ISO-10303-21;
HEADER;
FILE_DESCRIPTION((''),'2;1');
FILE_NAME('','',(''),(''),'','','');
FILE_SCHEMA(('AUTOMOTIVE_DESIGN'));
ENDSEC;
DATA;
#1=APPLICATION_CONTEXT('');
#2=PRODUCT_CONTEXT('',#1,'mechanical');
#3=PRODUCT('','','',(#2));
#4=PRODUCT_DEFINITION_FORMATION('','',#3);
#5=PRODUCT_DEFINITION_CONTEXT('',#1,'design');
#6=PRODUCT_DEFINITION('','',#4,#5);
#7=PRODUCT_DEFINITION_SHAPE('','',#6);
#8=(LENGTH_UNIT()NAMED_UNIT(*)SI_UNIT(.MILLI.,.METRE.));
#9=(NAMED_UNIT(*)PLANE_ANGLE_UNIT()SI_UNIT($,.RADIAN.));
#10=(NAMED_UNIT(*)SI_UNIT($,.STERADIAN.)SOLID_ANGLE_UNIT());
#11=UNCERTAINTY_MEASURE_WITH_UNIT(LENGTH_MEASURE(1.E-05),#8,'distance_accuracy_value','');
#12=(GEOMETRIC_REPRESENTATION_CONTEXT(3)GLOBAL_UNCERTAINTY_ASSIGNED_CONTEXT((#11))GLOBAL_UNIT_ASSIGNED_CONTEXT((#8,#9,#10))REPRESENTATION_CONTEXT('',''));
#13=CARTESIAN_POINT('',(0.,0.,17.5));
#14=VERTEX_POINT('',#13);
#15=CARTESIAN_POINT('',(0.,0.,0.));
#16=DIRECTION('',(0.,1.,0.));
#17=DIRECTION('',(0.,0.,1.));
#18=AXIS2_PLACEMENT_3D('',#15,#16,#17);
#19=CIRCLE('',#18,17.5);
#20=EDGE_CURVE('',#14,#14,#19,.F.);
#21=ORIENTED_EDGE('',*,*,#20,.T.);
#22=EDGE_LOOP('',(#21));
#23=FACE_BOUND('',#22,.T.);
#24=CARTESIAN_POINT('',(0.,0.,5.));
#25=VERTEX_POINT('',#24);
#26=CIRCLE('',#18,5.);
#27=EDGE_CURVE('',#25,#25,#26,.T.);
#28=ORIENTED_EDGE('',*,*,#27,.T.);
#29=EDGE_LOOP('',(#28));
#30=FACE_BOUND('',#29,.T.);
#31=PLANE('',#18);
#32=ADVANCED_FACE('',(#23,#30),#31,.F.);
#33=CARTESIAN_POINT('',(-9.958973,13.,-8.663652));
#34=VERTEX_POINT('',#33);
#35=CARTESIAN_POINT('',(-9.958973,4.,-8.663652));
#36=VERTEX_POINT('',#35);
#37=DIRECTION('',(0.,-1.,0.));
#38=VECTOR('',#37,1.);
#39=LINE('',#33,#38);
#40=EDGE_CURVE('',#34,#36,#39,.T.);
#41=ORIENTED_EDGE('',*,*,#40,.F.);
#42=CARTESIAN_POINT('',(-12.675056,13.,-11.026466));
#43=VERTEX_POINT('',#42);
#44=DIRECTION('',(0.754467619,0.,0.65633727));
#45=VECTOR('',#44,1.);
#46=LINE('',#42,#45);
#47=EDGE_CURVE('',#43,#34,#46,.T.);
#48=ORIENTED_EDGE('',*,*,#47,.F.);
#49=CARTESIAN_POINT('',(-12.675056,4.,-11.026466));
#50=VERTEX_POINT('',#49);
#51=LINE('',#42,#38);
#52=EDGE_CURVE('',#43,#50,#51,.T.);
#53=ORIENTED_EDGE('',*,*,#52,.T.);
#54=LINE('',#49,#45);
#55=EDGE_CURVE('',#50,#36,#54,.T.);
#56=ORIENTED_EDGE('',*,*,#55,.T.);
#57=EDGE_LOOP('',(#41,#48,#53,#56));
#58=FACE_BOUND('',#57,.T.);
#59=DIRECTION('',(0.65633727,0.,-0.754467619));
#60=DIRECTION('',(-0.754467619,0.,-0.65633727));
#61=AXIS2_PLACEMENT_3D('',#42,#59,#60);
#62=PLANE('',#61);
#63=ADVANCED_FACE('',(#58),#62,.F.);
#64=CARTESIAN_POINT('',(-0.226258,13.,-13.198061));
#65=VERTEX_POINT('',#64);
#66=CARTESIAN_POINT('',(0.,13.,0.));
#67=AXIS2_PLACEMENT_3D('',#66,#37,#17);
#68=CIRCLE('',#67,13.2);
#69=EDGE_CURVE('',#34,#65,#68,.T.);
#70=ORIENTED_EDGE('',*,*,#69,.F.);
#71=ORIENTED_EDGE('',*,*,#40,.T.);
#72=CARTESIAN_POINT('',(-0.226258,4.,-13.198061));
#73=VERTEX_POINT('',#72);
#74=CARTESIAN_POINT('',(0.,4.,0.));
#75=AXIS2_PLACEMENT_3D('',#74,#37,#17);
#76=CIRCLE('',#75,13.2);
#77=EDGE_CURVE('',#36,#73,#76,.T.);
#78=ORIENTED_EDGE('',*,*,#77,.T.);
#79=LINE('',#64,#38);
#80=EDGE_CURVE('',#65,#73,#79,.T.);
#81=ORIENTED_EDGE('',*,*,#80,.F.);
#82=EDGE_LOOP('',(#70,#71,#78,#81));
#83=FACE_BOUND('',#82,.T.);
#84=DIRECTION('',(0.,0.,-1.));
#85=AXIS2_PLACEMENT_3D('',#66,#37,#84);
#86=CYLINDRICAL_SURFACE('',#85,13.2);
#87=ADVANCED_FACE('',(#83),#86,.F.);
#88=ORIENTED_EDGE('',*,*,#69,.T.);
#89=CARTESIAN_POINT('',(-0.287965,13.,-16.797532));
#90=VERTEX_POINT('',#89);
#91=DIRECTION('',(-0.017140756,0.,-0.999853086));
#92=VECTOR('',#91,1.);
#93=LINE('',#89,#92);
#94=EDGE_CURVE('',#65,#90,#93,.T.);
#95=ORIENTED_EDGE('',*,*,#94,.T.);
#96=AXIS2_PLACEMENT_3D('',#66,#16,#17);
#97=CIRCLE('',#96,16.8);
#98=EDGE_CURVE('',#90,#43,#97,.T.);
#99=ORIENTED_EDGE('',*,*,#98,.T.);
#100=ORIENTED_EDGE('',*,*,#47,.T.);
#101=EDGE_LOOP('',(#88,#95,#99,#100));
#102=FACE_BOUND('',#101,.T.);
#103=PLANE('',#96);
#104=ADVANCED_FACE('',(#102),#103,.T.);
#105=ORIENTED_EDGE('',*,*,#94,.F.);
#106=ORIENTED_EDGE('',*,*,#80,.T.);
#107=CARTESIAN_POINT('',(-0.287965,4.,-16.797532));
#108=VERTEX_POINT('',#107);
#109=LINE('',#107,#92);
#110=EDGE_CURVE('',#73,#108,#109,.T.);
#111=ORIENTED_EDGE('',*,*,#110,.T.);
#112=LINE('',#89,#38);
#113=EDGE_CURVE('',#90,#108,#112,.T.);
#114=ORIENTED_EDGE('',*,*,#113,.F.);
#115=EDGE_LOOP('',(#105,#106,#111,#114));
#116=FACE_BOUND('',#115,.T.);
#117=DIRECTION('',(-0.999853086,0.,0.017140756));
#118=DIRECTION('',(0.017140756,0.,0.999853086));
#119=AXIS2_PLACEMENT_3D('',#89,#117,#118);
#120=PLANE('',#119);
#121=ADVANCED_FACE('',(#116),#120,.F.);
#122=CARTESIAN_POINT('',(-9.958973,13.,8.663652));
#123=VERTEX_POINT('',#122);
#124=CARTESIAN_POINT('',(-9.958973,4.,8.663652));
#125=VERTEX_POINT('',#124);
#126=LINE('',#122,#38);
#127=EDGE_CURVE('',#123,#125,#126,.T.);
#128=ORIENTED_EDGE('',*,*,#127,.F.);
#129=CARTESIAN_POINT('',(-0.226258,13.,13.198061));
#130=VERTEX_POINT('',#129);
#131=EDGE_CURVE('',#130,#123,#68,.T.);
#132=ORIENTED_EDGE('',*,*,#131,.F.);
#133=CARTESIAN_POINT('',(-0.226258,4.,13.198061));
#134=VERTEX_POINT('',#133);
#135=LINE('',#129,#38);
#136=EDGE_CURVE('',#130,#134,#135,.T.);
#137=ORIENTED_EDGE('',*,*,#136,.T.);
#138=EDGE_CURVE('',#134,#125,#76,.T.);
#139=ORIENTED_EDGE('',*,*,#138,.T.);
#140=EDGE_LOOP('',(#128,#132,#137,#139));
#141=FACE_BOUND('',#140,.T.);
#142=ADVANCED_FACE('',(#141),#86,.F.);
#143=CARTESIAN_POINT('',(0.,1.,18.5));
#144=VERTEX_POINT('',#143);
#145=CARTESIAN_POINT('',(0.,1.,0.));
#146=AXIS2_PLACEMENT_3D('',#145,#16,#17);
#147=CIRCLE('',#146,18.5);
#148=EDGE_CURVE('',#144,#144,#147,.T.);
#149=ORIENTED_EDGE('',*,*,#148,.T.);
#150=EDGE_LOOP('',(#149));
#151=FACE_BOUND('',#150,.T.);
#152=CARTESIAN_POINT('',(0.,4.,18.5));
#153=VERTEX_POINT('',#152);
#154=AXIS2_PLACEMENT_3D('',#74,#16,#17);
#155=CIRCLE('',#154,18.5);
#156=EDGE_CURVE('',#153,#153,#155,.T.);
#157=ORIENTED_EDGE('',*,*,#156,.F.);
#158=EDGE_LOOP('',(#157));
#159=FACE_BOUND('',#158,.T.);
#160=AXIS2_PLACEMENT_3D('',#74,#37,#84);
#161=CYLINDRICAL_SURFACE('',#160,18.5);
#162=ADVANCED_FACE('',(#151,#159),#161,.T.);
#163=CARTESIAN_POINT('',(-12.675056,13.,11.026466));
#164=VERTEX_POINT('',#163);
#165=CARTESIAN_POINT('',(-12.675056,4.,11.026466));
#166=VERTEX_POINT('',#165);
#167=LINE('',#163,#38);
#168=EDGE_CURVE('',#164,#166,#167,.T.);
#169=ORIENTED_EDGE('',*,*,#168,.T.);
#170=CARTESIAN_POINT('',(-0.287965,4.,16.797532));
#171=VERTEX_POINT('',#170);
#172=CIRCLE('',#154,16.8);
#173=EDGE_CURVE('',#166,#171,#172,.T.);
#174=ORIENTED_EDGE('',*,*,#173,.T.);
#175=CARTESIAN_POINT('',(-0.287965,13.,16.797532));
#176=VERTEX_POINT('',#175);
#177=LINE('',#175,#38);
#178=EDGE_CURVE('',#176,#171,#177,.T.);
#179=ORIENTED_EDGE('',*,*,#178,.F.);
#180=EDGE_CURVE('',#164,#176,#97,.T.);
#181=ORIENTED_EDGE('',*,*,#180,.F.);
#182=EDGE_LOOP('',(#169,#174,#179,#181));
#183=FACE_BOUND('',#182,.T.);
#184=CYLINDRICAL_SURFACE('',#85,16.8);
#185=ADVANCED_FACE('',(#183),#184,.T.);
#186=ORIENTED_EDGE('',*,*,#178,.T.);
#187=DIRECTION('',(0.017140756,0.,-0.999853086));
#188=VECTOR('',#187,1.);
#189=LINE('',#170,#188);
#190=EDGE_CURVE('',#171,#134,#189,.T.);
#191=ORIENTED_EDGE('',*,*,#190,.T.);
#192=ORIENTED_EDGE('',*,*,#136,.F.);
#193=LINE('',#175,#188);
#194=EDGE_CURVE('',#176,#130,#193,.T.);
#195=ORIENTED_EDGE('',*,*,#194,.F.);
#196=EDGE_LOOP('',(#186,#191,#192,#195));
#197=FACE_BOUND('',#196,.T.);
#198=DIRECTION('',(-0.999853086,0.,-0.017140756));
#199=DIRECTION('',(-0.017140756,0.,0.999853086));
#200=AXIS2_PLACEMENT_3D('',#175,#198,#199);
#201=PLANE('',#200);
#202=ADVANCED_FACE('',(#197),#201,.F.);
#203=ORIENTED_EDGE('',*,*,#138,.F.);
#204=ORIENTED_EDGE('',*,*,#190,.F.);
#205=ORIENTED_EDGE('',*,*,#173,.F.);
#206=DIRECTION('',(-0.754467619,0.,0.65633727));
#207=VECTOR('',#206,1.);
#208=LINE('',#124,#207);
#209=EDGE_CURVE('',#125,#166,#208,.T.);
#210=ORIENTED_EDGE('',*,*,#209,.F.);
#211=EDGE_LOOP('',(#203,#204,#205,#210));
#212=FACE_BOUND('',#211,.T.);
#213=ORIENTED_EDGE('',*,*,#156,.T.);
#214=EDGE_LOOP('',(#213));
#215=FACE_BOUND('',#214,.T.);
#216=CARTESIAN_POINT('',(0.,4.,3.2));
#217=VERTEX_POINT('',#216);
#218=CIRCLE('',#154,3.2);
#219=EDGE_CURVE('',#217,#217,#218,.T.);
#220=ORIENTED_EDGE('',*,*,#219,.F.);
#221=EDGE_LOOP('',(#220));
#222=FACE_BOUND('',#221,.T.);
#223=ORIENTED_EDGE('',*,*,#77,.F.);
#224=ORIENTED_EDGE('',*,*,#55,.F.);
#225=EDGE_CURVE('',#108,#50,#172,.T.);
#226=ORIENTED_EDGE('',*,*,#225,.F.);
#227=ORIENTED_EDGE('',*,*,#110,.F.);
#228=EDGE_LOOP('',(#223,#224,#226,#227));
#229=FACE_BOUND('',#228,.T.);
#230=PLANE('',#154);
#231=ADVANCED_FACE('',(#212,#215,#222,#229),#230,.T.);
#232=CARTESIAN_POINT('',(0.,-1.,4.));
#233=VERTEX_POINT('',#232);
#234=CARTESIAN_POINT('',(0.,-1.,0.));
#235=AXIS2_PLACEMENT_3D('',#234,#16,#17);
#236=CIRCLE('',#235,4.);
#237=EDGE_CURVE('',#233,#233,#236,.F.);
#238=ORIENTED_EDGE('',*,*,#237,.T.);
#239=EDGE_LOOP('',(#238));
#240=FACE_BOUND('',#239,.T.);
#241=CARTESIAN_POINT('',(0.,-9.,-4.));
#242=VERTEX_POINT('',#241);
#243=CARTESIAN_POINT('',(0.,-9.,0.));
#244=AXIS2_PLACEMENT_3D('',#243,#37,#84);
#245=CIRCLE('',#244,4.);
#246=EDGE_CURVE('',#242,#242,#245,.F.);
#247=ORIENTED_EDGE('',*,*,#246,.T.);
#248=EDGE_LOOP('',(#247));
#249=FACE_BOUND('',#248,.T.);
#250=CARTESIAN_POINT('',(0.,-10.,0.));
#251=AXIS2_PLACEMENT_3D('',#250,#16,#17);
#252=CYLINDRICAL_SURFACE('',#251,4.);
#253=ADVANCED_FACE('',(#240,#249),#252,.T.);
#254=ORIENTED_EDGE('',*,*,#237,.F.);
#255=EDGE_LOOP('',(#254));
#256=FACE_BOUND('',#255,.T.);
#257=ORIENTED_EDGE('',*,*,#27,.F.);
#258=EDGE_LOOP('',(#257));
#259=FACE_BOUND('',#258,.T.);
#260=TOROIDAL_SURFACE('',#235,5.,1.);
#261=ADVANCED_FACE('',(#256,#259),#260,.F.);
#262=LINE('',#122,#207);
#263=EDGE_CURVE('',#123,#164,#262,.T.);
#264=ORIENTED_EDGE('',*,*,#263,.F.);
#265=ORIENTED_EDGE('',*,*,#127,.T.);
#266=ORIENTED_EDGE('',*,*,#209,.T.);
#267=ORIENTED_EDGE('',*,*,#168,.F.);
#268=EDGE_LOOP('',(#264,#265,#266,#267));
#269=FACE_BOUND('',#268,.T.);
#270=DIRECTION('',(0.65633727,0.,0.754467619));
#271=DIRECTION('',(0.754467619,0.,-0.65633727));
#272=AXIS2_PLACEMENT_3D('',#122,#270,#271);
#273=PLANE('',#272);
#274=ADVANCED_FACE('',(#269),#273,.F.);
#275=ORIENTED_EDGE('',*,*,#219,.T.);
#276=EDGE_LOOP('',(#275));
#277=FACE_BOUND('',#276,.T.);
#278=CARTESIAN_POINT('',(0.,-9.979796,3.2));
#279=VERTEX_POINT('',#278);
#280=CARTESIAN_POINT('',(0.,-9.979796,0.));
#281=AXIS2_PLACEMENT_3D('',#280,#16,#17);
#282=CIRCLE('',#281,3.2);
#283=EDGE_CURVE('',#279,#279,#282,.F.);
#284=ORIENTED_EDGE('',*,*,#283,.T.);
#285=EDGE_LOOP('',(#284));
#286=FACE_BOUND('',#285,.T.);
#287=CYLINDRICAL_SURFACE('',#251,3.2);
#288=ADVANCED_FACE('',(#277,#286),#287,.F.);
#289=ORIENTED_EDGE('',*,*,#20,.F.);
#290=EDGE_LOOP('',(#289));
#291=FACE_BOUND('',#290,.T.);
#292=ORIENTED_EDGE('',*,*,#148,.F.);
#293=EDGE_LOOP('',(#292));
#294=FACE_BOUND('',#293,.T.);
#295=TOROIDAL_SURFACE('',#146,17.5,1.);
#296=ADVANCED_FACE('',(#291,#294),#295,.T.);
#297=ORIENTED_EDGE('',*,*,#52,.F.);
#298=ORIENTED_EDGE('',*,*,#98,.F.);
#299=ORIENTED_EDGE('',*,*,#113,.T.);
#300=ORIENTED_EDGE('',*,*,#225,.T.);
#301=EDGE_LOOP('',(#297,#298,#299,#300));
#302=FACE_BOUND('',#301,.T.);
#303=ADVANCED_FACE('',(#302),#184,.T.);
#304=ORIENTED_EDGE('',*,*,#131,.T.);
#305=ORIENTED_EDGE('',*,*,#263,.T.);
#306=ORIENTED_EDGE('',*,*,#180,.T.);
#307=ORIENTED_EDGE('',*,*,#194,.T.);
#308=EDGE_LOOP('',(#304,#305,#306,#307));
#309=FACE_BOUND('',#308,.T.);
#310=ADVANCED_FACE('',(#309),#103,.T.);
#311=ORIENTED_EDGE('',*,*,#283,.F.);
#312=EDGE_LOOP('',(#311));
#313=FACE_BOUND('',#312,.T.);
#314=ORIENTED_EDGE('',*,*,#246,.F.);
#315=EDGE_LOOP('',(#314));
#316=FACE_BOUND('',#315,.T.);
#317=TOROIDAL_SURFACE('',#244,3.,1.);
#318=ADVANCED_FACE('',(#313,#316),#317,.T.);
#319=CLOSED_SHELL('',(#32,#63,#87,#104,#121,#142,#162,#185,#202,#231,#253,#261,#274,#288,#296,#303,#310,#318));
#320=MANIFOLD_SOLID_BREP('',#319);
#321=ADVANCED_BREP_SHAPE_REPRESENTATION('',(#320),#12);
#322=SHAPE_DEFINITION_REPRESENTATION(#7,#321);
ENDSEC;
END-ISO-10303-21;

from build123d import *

# Parameters (mm, degrees)
SKETCH1_R           = 18.5
BOSS_EXTRUDE1_DEPTH = 4
SKETCH3_R           = 4
BOSS_EXTRUDE2_DEPTH = 10
FILLET1_R           = 1
FILLET2_R           = 1
BOSS_EXTRUDE3_DEPTH = 9
SKETCH5_R           = 3.2
CUT_EXTRUDE1_DEPTH  = 30.673220359


with BuildPart() as part:
    # Sketch1 → Boss-Extrude1 (new body)
    with BuildSketch(Plane(origin=(0, 0, 0), x_dir=(1, 0, 0), z_dir=(0, 1, 0))):
        Circle(SKETCH1_R)
    extrude(amount=BOSS_EXTRUDE1_DEPTH)

    # Sketch3 → Boss-Extrude2 (add)
    with BuildSketch(Plane.XZ):
        Circle(SKETCH3_R)
    extrude(amount=BOSS_EXTRUDE2_DEPTH)

    # Fillet1
    fillet1_edges = [part.edges().sort_by_distance(p)[0] for p in [
        (-4, -10, 0),
    ]]
    fillet(fillet1_edges, radius=FILLET1_R)

    # Fillet2
    fillet2_edges = [part.edges().sort_by_distance(p)[0] for p in [
        (-18.5, 0, 0),
        (-4, 0, 0),
    ]]
    fillet(fillet2_edges, radius=FILLET2_R)

    # Sketch4 → Boss-Extrude3 (add)
    with BuildSketch(Plane(origin=(0, 4, 0), x_dir=(1, 0, 0), z_dir=(0, 1, 0))):
        with BuildLine():
            Line((-12.675055994, 11.02646614), (-9.958972567, 8.663651967))
            ThreePointArc((-9.958972567, 8.663651967), (-5.574490656, 11.965160004), (-0.226257983, 13.198060741))
            Line((-0.226257983, 13.198060741), (-0.287964706, 16.797531852))
            ThreePointArc((-0.287964706, 16.797531852), (-7.094806289, 15.22838546), (-12.675055994, 11.02646614))
        make_face()
        with BuildLine():
            Line((-9.958972567, -8.663651967), (-12.675055994, -11.02646614))
            ThreePointArc((-12.675055994, -11.02646614), (-7.094806289, -15.22838546), (-0.287964706, -16.797531852))
            Line((-0.287964706, -16.797531852), (-0.226257983, -13.198060741))
            ThreePointArc((-0.226257983, -13.198060741), (-5.574490656, -11.965160004), (-9.958972567, -8.663651967))
        make_face()
    extrude(amount=BOSS_EXTRUDE3_DEPTH)

    # Sketch5 → Cut-Extrude1 (cut, through all)
    with BuildSketch(Plane(origin=(0, 4, 0), x_dir=(1, 0, 0), z_dir=(0, 1, 0))):
        Circle(SKETCH5_R)
    extrude(amount=-CUT_EXTRUDE1_DEPTH, mode=Mode.SUBTRACT)


solid = part.part
